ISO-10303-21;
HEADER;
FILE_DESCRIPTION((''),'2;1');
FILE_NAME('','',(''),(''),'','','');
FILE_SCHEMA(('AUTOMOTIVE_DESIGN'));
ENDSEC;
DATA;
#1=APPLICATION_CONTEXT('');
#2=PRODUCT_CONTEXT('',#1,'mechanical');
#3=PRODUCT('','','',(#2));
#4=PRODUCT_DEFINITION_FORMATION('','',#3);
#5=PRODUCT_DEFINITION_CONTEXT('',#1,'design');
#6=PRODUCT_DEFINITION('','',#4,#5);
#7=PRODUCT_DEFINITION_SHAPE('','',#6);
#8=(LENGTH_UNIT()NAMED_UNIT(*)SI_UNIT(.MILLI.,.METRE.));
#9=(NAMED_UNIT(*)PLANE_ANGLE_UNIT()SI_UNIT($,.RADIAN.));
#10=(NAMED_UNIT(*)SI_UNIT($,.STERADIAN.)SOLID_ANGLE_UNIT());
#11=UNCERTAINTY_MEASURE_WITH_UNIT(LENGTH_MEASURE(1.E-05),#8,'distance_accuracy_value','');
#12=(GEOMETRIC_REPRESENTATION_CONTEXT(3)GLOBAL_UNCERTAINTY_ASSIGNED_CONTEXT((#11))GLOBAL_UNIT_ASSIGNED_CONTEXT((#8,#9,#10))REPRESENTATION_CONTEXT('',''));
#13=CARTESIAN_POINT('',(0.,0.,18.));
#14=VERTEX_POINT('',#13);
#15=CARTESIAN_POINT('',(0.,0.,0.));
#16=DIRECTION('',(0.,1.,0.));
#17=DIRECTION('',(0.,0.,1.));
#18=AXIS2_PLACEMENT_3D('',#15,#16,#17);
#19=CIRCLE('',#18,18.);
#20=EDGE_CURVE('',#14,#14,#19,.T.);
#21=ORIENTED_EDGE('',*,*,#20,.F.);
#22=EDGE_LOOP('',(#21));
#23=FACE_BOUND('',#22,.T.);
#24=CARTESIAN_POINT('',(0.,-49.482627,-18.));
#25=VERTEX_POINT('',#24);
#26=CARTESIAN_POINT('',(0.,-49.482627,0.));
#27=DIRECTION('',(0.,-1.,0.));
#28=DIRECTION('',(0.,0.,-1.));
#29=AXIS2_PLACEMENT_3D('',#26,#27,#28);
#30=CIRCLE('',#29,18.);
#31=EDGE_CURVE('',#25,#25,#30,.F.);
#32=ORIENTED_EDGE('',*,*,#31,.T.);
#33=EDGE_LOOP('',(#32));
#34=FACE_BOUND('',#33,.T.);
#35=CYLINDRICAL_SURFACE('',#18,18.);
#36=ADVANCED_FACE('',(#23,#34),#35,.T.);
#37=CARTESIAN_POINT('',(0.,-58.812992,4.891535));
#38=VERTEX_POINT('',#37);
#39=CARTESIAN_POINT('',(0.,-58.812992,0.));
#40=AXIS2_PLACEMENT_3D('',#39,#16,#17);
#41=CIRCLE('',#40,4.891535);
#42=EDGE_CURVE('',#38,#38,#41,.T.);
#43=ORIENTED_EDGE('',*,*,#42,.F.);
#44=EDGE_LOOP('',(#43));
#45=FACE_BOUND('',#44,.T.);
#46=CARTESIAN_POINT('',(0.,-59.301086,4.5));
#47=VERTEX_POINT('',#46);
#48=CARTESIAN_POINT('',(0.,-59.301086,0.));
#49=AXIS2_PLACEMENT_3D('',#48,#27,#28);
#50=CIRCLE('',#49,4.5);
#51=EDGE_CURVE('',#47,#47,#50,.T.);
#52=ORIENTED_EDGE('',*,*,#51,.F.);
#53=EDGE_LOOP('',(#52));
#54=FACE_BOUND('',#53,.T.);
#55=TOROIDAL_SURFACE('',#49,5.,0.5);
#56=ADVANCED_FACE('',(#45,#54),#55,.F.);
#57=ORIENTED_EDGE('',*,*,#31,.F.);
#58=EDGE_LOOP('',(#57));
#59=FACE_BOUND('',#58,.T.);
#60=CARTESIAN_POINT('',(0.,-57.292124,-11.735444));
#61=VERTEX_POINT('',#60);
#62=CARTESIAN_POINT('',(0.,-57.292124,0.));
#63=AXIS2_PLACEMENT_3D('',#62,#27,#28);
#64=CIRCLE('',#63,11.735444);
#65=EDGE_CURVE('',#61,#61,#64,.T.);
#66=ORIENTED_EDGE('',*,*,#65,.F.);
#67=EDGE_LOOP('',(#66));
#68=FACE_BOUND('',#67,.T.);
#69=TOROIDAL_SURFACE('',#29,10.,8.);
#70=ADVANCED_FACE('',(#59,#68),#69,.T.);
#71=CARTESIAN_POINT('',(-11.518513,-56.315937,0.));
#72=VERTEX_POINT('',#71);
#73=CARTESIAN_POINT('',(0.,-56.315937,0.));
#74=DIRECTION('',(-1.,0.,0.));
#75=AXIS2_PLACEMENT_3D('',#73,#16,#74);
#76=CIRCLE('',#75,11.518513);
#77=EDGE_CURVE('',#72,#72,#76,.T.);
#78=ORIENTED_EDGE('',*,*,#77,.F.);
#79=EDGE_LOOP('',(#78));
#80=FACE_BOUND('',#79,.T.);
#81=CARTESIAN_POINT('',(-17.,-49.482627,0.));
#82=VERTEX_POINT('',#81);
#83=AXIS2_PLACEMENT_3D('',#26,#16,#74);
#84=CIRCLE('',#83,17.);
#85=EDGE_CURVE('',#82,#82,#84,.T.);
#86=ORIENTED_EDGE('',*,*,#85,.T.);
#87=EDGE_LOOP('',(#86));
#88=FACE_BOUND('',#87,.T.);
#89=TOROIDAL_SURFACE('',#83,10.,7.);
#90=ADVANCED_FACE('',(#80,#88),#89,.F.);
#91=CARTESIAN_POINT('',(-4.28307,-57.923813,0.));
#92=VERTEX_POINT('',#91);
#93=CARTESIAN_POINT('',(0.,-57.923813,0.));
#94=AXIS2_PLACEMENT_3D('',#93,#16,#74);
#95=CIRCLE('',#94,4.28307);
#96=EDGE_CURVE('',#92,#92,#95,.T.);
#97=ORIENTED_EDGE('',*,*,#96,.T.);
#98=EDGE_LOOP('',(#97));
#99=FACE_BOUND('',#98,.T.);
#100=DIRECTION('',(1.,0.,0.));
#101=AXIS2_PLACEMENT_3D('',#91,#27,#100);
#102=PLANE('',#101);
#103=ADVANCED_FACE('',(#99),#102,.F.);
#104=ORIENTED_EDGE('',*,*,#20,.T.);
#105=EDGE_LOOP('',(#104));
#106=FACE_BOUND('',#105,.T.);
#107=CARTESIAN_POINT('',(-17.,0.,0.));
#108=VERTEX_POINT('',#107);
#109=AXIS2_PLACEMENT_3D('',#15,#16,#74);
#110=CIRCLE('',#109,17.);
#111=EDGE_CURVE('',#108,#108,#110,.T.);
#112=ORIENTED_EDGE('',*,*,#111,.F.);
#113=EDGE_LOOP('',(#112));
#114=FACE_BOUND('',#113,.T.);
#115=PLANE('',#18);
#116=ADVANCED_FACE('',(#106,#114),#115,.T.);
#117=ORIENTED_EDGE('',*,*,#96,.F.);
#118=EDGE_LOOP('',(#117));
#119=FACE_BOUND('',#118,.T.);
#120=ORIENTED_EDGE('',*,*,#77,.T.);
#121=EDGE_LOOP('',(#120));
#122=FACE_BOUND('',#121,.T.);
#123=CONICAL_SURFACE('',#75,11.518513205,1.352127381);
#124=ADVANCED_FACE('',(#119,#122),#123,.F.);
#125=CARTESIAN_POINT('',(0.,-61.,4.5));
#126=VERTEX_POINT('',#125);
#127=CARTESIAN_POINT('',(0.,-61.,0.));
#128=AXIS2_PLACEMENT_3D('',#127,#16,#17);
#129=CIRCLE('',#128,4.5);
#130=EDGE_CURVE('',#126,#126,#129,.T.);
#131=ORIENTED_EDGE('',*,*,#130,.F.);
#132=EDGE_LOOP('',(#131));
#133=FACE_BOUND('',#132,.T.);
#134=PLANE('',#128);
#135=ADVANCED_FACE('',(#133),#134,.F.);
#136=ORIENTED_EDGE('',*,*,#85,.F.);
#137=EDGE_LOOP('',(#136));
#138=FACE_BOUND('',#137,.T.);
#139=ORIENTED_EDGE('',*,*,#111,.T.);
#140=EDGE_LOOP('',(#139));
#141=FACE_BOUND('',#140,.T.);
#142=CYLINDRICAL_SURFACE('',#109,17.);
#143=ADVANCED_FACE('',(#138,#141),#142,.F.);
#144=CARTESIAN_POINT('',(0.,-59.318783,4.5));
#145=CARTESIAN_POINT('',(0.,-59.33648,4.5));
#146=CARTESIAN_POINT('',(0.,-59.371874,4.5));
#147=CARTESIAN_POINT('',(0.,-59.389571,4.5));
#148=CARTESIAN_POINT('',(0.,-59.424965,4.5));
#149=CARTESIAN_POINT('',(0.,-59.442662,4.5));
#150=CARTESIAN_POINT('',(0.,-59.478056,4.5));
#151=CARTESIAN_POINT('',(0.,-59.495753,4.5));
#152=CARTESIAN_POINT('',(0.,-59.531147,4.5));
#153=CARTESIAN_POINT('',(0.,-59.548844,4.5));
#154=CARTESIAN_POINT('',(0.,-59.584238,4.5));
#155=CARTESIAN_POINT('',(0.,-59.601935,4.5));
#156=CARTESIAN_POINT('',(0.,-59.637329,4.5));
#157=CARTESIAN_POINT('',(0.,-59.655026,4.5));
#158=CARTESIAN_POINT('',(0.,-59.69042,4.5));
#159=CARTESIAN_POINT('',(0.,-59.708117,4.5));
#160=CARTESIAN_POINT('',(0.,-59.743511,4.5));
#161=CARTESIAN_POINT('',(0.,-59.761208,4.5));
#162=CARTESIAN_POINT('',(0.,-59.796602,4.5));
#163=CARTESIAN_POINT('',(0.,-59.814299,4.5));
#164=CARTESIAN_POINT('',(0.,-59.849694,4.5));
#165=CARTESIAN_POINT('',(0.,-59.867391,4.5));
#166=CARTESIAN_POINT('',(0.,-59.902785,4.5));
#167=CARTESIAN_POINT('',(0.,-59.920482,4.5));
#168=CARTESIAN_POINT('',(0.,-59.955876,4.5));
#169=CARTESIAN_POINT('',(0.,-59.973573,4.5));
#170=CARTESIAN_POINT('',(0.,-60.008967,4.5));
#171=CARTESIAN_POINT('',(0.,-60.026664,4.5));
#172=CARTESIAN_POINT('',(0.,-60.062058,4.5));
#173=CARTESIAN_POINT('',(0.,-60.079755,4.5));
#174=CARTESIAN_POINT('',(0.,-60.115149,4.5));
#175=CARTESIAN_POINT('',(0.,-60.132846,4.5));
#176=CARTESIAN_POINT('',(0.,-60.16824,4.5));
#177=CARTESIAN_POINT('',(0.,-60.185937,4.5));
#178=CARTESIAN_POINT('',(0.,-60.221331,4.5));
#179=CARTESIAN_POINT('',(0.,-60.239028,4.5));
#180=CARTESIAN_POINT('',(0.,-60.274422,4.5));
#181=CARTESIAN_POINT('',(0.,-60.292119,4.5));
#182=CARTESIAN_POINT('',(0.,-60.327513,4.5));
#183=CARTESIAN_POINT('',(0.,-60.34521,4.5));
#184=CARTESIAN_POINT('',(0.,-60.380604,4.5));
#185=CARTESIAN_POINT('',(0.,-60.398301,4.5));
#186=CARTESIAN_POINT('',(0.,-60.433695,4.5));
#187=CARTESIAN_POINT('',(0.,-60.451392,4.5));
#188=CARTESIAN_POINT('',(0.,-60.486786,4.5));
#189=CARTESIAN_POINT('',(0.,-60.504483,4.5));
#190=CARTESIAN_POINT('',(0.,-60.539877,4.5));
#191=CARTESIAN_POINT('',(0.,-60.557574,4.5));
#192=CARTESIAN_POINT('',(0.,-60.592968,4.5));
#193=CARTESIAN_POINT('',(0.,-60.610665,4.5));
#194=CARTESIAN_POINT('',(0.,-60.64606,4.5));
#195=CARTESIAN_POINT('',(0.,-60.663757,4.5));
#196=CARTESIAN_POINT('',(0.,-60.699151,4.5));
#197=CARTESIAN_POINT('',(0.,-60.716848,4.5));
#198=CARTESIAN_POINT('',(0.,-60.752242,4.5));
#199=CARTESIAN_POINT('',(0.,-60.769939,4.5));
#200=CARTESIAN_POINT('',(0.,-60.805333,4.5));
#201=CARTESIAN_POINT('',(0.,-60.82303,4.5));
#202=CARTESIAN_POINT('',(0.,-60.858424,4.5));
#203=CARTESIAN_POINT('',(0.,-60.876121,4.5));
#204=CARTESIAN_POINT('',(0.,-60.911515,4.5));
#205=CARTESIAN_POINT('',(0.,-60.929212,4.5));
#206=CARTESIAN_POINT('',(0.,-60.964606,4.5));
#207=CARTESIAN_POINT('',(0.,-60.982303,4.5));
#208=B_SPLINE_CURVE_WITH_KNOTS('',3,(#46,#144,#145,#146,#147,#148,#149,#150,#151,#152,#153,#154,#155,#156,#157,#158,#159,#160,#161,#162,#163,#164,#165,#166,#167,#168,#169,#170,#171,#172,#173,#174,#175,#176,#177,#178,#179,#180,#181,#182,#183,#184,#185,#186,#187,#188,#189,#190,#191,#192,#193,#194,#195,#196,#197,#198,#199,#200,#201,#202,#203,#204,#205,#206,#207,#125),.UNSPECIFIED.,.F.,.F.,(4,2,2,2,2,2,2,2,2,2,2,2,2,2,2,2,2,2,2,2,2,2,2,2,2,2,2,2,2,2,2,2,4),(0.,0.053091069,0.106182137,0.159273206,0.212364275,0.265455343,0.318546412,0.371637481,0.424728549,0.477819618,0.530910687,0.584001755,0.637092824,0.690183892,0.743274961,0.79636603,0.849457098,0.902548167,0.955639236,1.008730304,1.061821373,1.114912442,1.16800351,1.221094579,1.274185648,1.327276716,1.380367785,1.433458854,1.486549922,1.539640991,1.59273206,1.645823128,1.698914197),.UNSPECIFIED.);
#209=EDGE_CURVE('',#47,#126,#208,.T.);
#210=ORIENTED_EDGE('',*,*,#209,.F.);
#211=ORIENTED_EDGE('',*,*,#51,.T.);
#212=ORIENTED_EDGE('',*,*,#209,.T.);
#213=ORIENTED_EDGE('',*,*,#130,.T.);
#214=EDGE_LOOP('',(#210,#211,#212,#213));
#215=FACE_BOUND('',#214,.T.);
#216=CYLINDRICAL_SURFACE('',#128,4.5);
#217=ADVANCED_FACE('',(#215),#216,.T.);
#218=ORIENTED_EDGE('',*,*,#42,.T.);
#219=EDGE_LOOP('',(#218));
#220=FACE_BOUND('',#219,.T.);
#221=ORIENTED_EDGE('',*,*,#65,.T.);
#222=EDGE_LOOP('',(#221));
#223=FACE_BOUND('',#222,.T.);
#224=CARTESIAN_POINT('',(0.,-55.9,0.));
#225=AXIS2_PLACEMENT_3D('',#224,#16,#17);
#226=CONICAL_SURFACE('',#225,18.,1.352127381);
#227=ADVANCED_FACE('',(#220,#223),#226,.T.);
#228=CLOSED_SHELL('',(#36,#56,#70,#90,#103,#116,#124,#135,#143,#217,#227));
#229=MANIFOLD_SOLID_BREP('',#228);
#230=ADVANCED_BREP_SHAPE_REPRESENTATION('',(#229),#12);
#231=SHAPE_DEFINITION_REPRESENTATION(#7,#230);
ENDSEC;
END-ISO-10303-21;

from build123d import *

# Parameters (mm, degrees)
NECK_SKETCH_R = 4.5
NECK_DEPTH    = 61
TOP_ROUND_R   = 8
BLEND_R       = 0.5


with BuildPart() as part:
    # Outside Profile_Sketch → Outside Profile (revolve)
    with BuildSketch(Plane.XY):
        Polygon((0, 0), (-18, 0), (-18, -55.9), (-4.5, -58.9), (0, -58.9), align=None)
    revolve(axis=Axis((0, 0, 0), (0, -1, 0)))

    # Neck_Sketch → Neck (add)
    with BuildSketch(Plane(origin=(0, 0, 0), x_dir=(1, 0, 0), z_dir=(0, 1, 0))):
        Circle(NECK_SKETCH_R)
    extrude(amount=-NECK_DEPTH)

    # Top Round
    top_round_edges = [part.edges().sort_by_distance(p)[0] for p in [
        (18, -55.9, 0),
    ]]
    fillet(top_round_edges, radius=TOP_ROUND_R)

    # Blend
    blend_edges = [part.edges().sort_by_distance(p)[0] for p in [
        (0, -58.9, -4.5),
    ]]
    fillet(blend_edges, radius=BLEND_R)

    # Shell_Sketch → Shell (revolve, cut)
    with BuildSketch(Plane.XY):
        with BuildLine():
            Line((-4.283069542, -57.92381294), (0, -57.92381294))
            Line((0, -57.92381294), (0, 0))
            Line((0, 0), (-17, 0))
            Line((-17, 0), (-17, -49.482627149))
            ThreePointArc((-17, -49.482627149), (-15.460292686, -53.862718904), (-11.518513205, -56.31593657))
            Line((-11.518513205, -56.31593657), (-4.283069542, -57.92381294))
        make_face()
    revolve(axis=Axis((0, 0, 0), (0, -1, 0)), mode=Mode.SUBTRACT)


solid = part.part
